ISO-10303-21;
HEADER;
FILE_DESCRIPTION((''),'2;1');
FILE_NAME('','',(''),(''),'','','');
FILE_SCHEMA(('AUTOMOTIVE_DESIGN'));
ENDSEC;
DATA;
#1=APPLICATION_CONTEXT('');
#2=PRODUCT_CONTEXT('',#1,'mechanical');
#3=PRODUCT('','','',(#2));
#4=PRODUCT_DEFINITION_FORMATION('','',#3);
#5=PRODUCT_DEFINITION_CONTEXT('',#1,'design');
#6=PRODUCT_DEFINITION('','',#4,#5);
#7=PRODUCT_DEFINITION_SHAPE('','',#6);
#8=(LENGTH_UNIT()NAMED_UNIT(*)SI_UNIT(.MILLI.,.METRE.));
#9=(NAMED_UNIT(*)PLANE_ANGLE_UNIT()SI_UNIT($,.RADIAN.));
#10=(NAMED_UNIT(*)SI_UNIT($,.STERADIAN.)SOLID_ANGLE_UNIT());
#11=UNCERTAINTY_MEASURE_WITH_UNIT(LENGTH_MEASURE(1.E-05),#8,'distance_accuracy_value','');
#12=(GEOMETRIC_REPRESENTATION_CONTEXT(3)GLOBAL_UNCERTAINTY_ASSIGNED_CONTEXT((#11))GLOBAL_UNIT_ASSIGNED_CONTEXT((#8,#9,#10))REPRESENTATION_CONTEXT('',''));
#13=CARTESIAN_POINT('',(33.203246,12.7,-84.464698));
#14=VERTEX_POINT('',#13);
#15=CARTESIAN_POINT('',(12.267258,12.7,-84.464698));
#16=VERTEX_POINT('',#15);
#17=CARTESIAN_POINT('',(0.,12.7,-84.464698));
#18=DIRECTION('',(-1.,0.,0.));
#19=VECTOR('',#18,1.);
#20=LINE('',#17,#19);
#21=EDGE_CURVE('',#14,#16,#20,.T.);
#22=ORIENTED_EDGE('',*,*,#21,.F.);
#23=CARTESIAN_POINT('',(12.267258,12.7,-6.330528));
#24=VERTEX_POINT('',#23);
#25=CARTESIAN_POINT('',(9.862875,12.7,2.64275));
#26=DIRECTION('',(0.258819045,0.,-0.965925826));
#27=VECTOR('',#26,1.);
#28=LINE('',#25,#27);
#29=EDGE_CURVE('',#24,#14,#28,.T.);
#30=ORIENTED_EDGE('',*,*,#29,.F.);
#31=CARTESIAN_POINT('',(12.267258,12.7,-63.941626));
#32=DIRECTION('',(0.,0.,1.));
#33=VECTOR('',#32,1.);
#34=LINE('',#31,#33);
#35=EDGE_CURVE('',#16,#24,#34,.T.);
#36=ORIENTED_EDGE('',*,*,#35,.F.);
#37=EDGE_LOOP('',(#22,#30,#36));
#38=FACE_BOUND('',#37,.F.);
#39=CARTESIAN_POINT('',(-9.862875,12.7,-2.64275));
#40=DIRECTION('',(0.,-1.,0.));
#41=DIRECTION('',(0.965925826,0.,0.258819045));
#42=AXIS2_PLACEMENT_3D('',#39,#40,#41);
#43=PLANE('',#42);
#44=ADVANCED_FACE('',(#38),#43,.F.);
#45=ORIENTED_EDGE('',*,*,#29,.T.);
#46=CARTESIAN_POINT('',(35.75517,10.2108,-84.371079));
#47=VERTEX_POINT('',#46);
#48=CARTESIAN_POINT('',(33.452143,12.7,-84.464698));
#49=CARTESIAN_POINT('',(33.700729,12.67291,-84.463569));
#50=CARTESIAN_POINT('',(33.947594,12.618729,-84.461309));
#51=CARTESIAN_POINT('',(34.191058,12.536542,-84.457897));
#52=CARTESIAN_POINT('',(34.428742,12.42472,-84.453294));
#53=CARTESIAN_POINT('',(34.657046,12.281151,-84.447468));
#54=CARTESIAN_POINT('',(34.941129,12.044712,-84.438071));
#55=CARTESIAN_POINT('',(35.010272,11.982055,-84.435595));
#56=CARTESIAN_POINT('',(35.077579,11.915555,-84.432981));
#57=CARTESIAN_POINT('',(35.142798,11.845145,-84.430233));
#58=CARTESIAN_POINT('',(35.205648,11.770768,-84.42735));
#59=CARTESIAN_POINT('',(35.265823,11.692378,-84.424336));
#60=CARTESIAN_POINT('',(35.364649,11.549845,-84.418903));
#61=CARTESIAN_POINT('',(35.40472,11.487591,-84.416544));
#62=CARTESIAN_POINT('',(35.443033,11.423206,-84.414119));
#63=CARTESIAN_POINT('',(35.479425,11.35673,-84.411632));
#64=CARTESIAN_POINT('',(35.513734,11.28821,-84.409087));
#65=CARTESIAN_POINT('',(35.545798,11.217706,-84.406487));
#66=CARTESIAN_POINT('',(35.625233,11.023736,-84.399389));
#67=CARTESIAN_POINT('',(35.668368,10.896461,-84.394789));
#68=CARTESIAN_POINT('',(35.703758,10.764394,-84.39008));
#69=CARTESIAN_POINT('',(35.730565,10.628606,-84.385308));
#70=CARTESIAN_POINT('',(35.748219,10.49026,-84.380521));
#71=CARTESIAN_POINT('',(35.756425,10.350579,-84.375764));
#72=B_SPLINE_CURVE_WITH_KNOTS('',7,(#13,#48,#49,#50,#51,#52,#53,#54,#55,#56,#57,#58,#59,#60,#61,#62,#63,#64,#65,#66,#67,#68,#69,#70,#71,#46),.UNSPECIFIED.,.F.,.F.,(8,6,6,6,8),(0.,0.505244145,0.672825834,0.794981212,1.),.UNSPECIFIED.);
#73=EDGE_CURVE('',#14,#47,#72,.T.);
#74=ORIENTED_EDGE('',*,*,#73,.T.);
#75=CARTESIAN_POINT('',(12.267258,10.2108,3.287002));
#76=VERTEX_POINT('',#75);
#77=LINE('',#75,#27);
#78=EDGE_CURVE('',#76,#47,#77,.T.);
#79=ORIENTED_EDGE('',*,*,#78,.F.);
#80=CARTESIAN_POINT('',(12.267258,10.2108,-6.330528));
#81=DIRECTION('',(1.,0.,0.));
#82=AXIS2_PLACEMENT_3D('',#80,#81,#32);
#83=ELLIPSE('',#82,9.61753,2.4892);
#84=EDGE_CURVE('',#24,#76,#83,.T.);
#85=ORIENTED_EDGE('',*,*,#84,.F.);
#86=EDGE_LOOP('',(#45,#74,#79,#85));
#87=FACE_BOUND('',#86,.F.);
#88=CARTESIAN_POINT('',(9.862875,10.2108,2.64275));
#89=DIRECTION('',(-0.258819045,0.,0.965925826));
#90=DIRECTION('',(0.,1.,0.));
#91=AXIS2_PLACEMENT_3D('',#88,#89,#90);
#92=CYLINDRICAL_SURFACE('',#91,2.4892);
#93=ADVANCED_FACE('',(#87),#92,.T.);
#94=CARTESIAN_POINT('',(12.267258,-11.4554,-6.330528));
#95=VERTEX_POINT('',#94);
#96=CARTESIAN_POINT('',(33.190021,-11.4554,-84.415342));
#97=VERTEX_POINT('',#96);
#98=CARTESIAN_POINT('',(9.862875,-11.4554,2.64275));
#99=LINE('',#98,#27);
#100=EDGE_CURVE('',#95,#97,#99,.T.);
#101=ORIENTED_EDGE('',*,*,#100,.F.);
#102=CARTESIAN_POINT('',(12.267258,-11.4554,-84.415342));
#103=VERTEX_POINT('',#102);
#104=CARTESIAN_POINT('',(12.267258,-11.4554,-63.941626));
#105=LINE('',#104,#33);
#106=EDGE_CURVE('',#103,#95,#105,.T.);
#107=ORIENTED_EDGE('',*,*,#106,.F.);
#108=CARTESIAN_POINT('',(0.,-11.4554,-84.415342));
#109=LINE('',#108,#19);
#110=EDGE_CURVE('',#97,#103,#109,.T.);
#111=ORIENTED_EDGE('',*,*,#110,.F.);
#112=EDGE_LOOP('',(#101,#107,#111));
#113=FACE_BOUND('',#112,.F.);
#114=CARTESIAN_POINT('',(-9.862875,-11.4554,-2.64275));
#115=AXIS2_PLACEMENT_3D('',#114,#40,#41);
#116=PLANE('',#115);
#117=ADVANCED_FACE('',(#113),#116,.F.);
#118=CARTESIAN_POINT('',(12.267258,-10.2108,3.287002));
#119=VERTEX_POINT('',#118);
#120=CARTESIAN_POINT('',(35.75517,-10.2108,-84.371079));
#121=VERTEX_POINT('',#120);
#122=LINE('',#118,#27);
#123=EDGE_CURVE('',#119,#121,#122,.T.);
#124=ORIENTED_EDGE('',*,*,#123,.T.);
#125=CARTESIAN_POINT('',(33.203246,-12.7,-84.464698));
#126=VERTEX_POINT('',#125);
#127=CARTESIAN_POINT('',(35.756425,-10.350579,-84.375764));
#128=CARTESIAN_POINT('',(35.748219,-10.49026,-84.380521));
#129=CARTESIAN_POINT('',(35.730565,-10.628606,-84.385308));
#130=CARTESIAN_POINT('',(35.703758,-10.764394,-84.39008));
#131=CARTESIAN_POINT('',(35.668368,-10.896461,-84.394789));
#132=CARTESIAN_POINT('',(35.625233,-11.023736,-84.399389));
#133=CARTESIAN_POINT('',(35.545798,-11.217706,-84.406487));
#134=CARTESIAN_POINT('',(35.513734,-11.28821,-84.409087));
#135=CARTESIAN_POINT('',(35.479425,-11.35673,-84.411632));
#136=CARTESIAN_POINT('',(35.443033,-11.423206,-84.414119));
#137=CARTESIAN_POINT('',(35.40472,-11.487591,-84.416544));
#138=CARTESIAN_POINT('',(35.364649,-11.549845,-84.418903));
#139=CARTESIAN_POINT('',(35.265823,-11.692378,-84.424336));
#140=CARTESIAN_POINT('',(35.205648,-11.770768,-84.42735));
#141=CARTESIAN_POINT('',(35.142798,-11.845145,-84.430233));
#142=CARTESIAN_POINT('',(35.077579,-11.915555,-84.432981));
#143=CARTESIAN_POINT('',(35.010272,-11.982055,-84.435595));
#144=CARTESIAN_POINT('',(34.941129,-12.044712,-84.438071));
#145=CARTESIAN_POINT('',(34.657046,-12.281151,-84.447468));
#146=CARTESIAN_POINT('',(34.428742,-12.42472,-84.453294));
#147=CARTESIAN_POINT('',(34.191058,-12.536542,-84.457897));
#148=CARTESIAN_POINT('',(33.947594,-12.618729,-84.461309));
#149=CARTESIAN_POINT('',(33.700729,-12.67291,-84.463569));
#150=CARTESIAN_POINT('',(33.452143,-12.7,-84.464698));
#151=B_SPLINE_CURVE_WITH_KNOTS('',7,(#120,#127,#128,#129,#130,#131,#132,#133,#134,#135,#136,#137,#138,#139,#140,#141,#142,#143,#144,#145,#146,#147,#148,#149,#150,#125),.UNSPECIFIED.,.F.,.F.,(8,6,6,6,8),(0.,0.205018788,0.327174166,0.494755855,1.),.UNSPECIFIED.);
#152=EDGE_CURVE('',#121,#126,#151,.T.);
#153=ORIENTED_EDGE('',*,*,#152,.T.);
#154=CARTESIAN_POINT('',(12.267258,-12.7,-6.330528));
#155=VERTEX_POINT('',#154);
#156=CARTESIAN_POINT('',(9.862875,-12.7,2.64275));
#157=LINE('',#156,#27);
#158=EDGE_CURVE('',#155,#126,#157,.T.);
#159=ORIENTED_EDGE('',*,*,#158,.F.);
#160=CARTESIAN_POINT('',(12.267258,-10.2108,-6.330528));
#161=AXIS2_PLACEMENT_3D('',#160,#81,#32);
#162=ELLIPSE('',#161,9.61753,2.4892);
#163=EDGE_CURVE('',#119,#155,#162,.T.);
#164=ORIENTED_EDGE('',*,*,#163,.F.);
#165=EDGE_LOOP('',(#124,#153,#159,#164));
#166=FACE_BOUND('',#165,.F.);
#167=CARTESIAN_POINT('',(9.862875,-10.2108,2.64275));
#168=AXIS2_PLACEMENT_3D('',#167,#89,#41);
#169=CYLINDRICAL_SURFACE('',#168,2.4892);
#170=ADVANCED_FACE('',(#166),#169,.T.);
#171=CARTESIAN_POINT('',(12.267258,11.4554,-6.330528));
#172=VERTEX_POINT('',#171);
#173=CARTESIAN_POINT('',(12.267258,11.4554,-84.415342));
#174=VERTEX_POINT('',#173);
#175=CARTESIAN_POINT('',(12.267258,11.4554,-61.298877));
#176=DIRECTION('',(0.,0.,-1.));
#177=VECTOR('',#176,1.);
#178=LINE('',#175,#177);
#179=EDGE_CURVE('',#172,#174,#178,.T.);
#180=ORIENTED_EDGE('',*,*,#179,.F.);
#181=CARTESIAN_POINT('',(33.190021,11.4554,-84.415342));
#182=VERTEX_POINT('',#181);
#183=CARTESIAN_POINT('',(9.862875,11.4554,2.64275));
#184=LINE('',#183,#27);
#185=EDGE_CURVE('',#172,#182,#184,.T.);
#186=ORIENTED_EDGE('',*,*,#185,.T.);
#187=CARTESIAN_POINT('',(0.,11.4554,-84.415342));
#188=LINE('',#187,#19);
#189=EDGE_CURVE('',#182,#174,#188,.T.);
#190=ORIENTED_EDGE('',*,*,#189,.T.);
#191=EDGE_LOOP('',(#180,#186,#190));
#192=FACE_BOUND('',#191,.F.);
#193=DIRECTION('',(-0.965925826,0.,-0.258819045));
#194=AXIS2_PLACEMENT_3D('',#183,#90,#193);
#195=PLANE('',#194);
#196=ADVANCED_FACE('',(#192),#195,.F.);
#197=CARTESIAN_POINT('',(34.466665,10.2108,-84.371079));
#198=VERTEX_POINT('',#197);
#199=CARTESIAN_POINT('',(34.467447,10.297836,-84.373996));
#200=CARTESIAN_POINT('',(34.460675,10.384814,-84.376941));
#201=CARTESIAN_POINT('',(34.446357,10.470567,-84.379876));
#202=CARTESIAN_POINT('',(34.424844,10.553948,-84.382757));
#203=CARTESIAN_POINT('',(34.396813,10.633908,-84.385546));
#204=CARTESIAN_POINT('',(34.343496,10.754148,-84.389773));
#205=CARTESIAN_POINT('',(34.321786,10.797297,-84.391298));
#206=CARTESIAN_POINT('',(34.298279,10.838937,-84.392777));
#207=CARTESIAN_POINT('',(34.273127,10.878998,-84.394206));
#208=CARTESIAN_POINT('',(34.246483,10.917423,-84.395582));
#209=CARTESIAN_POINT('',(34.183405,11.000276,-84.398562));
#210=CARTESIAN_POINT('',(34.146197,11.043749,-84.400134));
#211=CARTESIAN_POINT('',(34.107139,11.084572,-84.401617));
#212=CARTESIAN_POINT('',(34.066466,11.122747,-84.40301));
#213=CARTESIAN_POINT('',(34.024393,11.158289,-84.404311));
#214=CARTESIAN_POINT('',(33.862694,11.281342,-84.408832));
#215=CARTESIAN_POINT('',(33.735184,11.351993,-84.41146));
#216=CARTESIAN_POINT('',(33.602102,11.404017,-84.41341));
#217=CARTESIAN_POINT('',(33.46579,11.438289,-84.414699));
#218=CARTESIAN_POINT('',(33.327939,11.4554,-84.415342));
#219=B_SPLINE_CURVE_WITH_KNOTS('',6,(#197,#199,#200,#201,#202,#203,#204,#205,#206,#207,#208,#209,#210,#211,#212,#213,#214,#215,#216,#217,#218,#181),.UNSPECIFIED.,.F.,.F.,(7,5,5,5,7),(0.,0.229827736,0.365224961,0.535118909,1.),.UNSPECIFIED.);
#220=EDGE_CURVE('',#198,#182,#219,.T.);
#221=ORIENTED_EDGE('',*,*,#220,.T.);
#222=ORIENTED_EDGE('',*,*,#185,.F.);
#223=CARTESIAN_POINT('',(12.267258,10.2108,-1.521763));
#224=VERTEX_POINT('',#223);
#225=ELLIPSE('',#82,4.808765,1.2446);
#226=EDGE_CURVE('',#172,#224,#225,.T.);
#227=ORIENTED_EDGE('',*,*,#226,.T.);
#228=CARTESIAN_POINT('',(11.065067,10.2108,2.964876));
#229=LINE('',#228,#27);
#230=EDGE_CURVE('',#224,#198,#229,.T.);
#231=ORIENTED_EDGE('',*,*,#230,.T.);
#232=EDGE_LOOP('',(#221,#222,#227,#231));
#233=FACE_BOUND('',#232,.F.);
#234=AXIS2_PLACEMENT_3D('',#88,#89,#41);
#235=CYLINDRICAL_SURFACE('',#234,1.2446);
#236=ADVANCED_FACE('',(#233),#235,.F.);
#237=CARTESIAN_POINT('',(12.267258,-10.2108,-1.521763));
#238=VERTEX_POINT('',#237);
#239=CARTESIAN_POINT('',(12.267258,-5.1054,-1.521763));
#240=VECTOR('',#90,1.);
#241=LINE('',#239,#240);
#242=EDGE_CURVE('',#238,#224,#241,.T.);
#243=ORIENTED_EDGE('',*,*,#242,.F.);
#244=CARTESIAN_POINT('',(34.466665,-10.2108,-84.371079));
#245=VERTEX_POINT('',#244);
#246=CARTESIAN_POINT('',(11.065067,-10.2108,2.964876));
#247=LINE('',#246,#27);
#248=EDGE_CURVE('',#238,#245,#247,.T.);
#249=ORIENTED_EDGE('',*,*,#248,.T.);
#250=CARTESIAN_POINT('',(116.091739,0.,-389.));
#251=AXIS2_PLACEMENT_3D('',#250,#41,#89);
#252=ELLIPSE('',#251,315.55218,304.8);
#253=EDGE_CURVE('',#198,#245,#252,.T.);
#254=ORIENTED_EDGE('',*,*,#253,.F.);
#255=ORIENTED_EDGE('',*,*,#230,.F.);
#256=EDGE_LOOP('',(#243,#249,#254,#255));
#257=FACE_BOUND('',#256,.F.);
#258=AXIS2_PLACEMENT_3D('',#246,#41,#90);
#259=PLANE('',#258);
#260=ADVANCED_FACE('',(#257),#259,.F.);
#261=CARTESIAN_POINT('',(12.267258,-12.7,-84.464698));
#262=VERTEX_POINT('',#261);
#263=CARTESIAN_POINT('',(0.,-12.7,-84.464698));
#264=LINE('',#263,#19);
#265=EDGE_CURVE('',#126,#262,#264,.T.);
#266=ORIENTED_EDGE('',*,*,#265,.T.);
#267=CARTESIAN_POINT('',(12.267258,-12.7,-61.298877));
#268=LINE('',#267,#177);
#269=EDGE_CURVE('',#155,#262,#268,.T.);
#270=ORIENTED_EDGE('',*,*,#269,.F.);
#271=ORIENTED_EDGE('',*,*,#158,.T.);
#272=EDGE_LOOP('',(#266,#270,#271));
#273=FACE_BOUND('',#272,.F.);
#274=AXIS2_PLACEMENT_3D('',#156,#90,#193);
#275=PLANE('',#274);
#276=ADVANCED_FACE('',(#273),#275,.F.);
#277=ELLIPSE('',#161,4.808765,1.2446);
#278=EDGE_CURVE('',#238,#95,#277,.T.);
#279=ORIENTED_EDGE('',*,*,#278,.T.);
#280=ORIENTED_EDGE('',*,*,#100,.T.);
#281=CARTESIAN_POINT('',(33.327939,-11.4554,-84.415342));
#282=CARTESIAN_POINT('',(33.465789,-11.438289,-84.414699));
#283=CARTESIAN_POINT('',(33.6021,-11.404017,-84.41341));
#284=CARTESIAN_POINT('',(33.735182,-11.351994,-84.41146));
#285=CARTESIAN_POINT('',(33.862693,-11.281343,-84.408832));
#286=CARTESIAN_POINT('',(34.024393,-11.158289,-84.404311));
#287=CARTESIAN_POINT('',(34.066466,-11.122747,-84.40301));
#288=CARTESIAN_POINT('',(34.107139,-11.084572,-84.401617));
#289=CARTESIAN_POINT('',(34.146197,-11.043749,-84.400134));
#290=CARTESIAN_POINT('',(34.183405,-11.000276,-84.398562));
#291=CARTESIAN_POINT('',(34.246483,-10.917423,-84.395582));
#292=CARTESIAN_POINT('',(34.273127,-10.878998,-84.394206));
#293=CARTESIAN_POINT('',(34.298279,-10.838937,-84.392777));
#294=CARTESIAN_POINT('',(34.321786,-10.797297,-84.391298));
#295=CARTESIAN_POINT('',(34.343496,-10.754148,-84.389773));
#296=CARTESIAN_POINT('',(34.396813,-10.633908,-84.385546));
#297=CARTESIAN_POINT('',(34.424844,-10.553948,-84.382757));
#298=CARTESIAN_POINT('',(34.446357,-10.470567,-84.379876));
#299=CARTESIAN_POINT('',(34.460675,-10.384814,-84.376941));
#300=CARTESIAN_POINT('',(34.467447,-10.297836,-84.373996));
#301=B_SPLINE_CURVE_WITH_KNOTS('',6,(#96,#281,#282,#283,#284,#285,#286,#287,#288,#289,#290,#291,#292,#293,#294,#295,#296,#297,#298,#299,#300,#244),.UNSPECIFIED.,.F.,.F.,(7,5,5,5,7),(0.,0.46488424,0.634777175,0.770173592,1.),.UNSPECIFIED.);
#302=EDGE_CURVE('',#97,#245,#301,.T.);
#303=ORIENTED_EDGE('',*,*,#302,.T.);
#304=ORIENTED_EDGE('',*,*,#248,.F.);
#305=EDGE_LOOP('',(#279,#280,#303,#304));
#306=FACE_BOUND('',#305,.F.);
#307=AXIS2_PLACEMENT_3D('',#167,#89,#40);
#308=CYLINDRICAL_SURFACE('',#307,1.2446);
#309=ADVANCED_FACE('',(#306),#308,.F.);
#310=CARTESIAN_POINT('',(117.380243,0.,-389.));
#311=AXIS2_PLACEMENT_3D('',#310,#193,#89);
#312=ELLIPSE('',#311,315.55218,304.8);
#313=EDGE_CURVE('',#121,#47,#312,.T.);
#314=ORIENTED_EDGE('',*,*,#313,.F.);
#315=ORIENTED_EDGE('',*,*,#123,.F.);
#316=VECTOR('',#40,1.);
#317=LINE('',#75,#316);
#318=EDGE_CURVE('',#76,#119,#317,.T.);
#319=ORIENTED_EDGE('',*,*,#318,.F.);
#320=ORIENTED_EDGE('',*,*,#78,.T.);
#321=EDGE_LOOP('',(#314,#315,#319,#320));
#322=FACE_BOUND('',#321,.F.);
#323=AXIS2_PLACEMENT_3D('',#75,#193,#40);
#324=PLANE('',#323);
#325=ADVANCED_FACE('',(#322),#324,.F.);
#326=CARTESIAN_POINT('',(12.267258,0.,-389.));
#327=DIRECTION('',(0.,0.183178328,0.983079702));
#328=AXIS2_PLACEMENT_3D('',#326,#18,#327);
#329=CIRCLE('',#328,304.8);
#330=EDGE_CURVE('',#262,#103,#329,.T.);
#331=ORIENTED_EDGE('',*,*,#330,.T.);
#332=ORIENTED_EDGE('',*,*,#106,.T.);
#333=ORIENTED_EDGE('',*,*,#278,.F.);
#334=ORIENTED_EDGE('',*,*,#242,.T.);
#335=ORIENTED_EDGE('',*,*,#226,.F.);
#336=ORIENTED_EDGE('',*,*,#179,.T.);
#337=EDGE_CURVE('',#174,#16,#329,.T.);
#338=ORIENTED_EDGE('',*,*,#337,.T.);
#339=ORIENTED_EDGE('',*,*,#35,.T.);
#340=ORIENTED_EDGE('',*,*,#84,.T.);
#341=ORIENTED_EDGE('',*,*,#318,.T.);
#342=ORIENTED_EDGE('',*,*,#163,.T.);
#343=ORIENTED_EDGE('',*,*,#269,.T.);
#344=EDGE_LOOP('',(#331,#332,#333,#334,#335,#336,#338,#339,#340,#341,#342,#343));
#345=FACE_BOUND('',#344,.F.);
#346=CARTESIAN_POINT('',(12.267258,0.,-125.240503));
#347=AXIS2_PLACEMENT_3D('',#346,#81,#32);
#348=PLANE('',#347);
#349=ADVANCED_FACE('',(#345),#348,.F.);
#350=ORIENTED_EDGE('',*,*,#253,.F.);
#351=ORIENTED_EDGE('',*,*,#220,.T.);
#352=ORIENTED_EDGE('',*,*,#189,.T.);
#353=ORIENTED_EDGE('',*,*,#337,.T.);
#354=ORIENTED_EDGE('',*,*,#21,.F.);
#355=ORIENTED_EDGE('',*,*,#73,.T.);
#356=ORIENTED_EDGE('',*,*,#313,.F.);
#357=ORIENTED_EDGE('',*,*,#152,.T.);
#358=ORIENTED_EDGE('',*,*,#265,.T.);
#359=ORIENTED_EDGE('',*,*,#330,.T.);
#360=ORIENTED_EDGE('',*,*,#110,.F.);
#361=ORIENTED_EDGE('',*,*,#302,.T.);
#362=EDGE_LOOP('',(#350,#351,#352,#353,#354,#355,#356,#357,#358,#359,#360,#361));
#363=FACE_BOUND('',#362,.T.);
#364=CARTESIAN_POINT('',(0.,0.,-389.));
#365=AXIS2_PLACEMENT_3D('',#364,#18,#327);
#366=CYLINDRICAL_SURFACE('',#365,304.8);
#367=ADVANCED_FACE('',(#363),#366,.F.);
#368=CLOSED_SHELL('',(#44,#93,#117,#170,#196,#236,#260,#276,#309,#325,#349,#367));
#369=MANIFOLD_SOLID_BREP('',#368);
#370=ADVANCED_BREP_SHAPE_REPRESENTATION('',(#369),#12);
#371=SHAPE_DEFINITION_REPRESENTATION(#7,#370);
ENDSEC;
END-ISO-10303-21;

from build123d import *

# Parameters (mm, degrees)
F3_DEPTH = 92.038
F4_W     = 44.9782982225
F4_H     = 128.527504392
F5_DEPTH = 25
F7_DEPTH = 50


with BuildPart() as f3:
    # F2 (on line) → F3 (new body)
    with BuildSketch(Plane(origin=(0, 0, 0), x_dir=(0.9659258263, 0, 0.2588190451), z_dir=(0.2588190451, 0, -0.9659258263))):
        with BuildLine():
            Line((-10.2108, -12.7), (10.2108, -12.7))
            ThreePointArc((10.2108, -12.7), (11.9709301997, -11.9709301997), (12.7, -10.2108))
            Line((12.7, -10.2108), (12.7, 10.2108))
            ThreePointArc((12.7, 10.2108), (11.9709301997, 11.9709301997), (10.2108, 12.7))
            Line((10.2108, 12.7), (-10.2108, 12.7))
            ThreePointArc((-10.2108, 12.7), (-11.9709301997, 11.9709301997), (-12.7, 10.2108))
            Line((-12.7, 10.2108), (-12.7, -10.2108))
            ThreePointArc((-12.7, -10.2108), (-11.9709301997, -11.9709301997), (-10.2108, -12.7))
        make_face()
        with BuildLine():
            ThreePointArc((11.4554, -10.2108), (11.0908650999, -11.0908650999), (10.2108, -11.4554))
            Line((10.2108, -11.4554), (-10.2108, -11.4554))
            ThreePointArc((-10.2108, -11.4554), (-11.0908650999, -11.0908650999), (-11.4554, -10.2108))
            Line((-11.4554, -10.2108), (-11.4554, 10.2108))
            ThreePointArc((-11.4554, 10.2108), (-11.0908650999, 11.0908650999), (-10.2108, 11.4554))
            Line((-10.2108, 11.4554), (10.2108, 11.4554))
            ThreePointArc((10.2108, 11.4554), (11.0908650999, 11.0908650999), (11.4554, 10.2108))
            Line((11.4554, 10.2108), (11.4554, -10.2108))
        make_face(mode=Mode.SUBTRACT)
    extrude(amount=F3_DEPTH)

    # F4 (on Front) → F5 (cut, symmetric)
    with BuildSketch(Plane.XZ):
        with Locations((-10.2218911174, -60.9767503232)):
            Rectangle(F4_W, F4_H)
    extrude(amount=F5_DEPTH, both=True, mode=Mode.SUBTRACT)

    # F6 (on Right) → F7 (cut)
    with BuildSketch(Plane.YZ):
        with BuildLine():
            Line((0, -155.816540122), (55.8327542288, -89.3573068549))
            ThreePointArc((55.8327542288, -89.3573068549), (2.0772321925, -84.2070783197), (-51.7434931467, -88.6241505764))
            Line((-51.7434931467, -88.6241505764), (0, -155.816540122))
        make_face()
    extrude(amount=F7_DEPTH, mode=Mode.SUBTRACT)


solid = f3.part
